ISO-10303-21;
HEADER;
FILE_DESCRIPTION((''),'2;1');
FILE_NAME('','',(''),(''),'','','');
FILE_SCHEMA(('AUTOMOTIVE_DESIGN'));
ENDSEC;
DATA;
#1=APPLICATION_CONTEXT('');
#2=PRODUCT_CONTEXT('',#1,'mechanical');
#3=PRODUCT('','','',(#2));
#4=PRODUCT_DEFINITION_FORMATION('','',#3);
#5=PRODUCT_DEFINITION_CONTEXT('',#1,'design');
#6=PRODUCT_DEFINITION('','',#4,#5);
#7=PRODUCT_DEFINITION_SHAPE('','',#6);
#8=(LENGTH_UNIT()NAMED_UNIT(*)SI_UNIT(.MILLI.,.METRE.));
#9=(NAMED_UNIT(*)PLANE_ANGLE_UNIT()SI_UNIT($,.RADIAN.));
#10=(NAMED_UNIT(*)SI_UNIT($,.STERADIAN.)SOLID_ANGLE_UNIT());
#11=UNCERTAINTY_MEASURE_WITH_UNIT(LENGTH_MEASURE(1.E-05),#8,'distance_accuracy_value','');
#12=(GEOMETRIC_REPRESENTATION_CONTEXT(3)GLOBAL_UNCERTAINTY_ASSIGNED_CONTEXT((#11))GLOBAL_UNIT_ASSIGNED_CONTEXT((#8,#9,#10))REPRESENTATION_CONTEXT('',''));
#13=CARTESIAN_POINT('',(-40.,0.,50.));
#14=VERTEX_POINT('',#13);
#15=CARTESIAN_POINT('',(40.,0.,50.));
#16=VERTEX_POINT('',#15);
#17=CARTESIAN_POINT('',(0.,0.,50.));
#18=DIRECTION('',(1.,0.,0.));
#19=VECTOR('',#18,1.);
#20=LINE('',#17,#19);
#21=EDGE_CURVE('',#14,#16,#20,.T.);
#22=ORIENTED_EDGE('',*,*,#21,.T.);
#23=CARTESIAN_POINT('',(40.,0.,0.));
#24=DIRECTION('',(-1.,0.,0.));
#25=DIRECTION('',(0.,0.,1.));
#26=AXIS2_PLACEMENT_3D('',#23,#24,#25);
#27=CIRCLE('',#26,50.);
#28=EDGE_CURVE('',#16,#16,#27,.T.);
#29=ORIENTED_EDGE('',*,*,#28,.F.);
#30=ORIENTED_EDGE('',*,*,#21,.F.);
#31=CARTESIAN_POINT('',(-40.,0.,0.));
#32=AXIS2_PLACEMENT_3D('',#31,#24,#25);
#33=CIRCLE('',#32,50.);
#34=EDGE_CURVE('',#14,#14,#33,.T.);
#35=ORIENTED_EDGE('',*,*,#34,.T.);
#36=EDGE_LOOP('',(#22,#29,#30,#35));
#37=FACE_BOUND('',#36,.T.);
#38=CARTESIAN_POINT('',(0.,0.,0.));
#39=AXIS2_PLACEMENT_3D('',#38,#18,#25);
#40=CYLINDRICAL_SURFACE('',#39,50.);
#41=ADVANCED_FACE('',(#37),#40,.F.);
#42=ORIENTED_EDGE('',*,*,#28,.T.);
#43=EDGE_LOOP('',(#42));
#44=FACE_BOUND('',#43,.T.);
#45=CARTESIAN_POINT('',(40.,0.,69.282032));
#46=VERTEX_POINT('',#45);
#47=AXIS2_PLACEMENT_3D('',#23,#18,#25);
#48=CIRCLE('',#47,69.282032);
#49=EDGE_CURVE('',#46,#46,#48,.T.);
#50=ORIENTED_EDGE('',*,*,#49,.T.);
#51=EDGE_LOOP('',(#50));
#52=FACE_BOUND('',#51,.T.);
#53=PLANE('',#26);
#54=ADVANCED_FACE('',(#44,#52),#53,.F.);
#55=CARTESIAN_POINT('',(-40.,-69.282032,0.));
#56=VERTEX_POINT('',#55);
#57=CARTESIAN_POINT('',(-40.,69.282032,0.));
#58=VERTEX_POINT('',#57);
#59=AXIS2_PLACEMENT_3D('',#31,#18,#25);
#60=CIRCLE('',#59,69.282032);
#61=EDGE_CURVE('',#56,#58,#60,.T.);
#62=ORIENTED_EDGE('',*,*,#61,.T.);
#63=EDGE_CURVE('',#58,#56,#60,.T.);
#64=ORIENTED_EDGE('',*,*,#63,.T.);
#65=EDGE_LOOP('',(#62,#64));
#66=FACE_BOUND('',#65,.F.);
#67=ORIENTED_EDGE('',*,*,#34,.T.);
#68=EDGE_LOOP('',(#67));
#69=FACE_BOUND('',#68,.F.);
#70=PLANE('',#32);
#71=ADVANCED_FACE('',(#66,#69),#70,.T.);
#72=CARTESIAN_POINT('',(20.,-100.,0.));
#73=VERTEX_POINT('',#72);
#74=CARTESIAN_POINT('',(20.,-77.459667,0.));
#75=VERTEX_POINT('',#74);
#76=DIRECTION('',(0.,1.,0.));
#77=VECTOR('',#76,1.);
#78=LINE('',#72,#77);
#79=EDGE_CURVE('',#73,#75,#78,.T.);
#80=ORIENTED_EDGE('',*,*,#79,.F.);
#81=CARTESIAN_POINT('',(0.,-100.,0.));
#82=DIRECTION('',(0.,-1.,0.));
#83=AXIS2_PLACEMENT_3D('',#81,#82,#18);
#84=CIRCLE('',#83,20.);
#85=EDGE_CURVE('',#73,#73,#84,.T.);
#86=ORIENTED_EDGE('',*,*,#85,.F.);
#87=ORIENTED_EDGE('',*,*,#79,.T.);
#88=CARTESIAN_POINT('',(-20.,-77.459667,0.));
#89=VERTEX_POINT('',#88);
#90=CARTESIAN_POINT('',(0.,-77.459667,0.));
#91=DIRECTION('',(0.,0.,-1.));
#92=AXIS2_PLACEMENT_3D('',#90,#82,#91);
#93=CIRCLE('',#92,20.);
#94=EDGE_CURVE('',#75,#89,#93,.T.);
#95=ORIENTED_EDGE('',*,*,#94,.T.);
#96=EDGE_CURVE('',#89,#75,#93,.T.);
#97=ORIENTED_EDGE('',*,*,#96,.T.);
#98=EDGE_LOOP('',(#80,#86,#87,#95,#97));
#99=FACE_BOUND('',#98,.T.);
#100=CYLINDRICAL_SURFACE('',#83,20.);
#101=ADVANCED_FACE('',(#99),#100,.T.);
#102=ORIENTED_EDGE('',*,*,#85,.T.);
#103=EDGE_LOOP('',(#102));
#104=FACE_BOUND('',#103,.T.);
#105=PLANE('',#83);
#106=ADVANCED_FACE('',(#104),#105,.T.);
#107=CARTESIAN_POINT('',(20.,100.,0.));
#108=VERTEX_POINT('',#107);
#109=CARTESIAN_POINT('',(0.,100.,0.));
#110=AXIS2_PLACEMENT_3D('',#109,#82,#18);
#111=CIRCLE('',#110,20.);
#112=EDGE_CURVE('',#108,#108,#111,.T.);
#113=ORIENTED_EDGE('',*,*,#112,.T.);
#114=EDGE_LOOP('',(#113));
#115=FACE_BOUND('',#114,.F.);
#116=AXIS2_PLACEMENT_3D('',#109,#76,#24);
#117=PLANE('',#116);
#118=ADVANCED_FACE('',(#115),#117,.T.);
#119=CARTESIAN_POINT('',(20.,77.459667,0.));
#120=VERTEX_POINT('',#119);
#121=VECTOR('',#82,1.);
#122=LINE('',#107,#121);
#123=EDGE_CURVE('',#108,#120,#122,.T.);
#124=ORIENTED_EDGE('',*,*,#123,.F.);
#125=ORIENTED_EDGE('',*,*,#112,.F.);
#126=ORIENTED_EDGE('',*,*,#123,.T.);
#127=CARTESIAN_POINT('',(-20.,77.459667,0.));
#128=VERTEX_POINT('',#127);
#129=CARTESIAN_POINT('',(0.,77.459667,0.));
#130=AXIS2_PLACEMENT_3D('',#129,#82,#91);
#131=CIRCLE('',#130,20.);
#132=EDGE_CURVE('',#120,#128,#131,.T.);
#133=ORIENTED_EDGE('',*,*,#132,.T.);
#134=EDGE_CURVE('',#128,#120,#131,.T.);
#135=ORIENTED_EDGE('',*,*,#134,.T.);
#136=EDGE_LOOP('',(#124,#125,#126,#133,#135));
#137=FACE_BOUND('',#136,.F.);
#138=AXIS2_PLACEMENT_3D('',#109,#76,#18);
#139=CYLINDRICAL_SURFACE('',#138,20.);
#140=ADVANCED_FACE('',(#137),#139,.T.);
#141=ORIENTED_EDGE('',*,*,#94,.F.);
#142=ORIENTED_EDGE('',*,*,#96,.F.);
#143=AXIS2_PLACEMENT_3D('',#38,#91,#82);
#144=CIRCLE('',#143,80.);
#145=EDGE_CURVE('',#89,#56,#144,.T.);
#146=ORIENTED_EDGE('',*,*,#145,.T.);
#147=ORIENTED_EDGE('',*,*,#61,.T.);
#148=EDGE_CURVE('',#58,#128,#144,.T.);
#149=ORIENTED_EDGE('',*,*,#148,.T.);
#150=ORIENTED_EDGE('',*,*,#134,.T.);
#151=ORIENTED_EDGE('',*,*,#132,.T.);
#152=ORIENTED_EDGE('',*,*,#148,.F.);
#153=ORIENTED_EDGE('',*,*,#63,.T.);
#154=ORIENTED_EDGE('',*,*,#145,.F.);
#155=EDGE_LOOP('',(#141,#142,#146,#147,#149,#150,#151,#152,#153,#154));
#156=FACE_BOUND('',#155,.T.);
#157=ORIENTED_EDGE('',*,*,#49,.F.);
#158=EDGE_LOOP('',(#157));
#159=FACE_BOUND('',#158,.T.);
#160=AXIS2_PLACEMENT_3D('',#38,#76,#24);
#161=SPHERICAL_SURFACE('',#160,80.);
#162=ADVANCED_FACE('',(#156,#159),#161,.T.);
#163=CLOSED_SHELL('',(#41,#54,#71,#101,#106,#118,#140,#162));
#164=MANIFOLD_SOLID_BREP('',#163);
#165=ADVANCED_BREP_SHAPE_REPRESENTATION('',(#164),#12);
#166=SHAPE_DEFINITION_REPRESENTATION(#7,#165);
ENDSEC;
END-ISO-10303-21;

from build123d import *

# Parameters (mm, degrees)
F0_W = 80
F0_H = 30
F5_R = 20


with BuildPart() as f1:
    # F0 (on Front) → F1 (revolve)
    with BuildSketch(Plane.XZ):
        with Locations((0, 65)):
            Rectangle(F0_W, F0_H)
    revolve(axis=Axis((-190.0887642899, 0, 0), (-1, 0, 0)))

    # F2 (on Top) → F3 (revolve, cut)
    with BuildSketch(Plane.XY):
        with BuildLine():
            ThreePointArc((0, -80), (-80, 0), (0, 80))
            Line((0, 80), (0, 110))
            Line((0, 110), (-110, 110))
            Line((-110, 110), (-110, -110))
            Line((-110, -110), (0, -110))
            Line((0, -110), (0, -80))
        make_face()
    revolve(axis=Axis((0, 23.6749413657, 0), (0, 1, 0)), mode=Mode.SUBTRACT)

    # F5 (on offset) → F6 (join, up to the next surface of F1)
    with BuildSketch(Plane.XZ.offset(100)):
        Circle(F5_R)
    extrude(until=Until.NEXT, dir=(0, 1, 0))

    # F7: F1 across plane


with BuildPart() as f1_1:
    add(f1.part)
    add(f1.part.mirror(Plane.XZ))


solid = f1_1.part
